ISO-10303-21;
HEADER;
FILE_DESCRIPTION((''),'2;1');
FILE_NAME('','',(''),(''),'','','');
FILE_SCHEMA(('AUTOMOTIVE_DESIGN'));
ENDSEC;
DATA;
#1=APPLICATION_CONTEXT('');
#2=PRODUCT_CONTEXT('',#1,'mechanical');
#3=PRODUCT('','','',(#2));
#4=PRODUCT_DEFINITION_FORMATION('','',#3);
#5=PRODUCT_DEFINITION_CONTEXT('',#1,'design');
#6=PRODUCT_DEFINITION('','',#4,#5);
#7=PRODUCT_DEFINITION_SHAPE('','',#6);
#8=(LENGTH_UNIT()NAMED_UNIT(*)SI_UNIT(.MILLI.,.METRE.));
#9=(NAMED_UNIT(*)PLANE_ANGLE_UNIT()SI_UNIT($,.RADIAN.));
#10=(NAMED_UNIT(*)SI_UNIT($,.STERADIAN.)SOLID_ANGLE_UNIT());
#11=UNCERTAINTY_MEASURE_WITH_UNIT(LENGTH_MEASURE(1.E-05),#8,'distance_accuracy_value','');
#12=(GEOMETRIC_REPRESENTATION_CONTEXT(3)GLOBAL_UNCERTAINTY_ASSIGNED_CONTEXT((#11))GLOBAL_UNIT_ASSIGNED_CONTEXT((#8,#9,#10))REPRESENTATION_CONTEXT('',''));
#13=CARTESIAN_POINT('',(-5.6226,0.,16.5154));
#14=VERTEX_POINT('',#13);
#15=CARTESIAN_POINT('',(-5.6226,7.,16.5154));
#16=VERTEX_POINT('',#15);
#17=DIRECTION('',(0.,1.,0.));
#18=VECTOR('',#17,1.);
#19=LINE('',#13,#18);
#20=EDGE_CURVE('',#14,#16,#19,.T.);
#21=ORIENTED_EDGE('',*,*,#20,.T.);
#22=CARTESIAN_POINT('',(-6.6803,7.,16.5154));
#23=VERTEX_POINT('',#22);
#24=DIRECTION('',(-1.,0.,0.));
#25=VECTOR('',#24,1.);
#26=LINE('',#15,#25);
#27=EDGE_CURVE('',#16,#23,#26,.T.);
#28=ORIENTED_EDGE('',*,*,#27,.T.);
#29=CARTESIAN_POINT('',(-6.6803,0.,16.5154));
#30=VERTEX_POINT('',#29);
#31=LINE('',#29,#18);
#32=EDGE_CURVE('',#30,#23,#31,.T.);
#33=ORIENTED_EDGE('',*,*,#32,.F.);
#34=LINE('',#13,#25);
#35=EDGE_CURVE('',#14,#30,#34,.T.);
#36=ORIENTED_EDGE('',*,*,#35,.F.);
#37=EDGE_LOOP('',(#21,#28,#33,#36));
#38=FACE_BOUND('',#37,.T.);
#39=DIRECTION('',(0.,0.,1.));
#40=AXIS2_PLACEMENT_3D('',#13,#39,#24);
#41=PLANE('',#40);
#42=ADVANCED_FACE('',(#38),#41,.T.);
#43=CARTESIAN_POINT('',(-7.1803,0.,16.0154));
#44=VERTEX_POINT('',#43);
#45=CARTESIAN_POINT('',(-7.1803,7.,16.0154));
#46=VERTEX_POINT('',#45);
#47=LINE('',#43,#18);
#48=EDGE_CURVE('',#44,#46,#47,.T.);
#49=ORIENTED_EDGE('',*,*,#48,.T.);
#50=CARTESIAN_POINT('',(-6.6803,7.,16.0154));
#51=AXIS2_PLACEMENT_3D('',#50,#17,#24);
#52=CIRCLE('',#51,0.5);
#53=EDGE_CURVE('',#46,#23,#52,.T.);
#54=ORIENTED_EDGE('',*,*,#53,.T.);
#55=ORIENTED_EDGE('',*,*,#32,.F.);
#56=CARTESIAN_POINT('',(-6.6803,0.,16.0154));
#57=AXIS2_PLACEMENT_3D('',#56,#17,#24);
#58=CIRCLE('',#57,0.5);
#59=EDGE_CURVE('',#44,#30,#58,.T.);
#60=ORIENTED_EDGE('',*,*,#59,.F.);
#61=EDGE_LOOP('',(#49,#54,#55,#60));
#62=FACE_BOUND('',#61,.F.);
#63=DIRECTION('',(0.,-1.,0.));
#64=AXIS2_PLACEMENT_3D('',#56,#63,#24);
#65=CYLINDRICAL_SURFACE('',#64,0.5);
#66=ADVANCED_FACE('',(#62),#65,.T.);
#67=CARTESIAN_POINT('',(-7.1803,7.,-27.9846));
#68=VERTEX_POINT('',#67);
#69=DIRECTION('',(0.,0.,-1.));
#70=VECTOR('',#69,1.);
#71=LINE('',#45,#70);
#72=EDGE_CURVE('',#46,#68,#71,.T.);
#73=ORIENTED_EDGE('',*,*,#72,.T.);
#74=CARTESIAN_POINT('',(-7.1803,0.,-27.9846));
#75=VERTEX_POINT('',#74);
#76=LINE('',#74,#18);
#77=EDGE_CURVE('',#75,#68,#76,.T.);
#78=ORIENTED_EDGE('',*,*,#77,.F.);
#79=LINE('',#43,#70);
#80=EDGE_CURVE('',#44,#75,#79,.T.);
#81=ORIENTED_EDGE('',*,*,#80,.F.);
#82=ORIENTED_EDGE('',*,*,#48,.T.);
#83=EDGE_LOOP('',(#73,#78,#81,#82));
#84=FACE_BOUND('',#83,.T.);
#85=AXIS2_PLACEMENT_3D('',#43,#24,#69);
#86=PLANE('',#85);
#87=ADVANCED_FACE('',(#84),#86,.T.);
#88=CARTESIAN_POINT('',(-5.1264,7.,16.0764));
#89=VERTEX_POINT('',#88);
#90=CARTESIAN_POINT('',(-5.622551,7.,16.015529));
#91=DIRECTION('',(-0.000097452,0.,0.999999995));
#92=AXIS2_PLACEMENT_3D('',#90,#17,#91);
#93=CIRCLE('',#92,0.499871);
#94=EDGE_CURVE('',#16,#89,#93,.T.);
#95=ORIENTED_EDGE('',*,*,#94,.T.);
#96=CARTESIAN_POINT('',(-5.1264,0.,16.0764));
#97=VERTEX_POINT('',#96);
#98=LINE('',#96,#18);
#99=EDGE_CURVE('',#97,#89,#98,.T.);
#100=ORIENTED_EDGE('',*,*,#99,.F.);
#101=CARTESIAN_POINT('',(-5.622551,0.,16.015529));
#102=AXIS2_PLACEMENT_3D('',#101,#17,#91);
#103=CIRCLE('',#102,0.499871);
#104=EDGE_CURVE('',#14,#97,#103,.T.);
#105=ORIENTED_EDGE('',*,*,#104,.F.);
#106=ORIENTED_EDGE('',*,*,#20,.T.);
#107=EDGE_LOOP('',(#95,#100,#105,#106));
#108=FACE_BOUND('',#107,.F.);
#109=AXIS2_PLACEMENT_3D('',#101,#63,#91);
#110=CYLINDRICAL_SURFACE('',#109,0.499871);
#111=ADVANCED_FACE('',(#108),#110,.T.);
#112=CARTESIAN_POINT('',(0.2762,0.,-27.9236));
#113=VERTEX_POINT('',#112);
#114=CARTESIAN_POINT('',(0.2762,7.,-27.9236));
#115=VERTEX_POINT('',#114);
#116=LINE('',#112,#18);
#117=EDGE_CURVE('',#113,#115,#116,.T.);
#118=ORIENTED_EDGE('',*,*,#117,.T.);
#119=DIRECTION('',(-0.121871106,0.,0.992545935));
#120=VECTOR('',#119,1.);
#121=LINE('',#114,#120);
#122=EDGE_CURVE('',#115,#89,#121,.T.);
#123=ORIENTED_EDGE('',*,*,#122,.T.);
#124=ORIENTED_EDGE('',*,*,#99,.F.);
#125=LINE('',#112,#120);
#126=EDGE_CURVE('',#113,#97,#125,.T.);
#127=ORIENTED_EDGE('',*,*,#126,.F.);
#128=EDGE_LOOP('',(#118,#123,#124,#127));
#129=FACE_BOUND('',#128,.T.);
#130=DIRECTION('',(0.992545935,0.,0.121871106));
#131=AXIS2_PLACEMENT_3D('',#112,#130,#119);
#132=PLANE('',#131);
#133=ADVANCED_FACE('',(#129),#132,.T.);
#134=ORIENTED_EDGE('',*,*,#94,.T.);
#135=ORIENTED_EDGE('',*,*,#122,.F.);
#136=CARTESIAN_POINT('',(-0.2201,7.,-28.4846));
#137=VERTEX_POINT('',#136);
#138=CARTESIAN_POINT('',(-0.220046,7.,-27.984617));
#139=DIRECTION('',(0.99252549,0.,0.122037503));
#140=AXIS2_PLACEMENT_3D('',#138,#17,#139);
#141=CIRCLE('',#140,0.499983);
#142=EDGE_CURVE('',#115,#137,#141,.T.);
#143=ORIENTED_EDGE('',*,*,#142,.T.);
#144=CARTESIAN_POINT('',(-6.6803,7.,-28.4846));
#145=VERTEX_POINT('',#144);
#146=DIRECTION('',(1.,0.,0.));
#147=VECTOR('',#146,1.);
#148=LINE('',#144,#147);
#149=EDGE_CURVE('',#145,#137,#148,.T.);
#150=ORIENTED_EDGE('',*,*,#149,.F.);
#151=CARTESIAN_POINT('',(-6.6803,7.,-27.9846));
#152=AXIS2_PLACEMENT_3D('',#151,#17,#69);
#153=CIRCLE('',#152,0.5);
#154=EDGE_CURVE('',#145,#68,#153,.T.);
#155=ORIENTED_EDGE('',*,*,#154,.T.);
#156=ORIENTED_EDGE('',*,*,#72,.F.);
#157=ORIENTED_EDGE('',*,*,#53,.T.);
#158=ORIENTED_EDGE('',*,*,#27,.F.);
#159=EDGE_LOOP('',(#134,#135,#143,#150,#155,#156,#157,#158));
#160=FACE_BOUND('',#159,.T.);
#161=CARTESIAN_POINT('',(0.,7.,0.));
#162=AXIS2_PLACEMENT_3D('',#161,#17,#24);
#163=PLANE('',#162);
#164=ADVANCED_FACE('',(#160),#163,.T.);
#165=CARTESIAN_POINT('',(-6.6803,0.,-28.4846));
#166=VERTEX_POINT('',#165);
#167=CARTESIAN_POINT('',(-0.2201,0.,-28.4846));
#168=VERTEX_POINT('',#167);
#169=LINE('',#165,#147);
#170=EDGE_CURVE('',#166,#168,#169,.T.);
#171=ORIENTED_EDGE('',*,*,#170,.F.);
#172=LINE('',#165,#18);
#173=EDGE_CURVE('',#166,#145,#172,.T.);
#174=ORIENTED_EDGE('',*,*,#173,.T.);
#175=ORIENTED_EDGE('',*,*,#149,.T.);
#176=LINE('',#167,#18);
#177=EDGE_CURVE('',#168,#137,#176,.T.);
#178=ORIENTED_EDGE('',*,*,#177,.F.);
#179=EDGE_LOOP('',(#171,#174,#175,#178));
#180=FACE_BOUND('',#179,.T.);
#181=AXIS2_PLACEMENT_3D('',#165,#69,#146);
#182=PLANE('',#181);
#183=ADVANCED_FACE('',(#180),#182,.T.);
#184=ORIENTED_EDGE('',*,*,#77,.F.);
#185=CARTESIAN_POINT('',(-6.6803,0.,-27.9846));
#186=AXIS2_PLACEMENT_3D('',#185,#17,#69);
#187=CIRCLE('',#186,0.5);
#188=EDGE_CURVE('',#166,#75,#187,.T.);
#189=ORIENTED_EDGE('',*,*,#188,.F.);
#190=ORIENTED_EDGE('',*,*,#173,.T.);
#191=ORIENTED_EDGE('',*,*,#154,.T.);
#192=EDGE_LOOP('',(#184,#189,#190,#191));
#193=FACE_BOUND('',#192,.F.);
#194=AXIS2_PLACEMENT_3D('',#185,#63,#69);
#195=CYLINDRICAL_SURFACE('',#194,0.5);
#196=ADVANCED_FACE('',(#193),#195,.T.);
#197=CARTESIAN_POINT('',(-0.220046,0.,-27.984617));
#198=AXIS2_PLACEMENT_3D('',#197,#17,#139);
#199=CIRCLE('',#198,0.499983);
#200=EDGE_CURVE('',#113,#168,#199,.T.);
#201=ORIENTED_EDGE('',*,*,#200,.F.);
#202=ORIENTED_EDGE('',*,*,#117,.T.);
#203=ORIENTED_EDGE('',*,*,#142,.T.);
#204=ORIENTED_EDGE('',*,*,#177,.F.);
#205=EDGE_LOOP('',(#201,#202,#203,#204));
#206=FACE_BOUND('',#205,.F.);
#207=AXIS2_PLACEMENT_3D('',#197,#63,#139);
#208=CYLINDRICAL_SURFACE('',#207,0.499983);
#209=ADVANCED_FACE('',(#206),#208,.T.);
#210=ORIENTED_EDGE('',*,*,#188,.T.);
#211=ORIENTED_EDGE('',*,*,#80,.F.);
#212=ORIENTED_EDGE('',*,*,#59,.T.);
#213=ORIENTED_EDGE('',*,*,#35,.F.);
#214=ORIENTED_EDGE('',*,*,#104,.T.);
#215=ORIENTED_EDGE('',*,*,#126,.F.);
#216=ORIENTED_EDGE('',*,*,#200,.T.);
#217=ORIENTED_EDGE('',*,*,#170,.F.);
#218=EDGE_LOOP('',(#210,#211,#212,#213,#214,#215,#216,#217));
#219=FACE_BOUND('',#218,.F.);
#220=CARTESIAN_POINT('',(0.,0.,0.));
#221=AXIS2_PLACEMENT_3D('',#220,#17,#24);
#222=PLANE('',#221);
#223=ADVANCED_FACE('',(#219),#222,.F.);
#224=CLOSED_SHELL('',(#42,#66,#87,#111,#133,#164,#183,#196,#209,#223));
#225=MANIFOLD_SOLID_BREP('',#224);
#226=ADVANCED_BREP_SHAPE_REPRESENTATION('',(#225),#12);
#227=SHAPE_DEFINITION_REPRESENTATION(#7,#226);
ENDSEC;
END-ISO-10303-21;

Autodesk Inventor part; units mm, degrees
ref_plane "YZ Plane" through (0, 0, 0) normal (1, 0, 0) x (0, 1, 0)
ref_plane "XZ Plane" through (0, 0, 0) normal (0, 1, 0) x (-1, 0, 0)
ref_plane "XY Plane" through (0, 0, 0) normal (0, 0, 1) x (1, 0, 0)
sketch "Sketch1" plane through (0, 0, 0) normal (0, 1, 0) x (-1, 0, 0)
  line L0 (7.1803, 16.0154) -> (7.1803, -27.9846)
  line L1 (6.6803, -28.4846) -> (0.2201, -28.4846)
  line L2 (-0.2762, -27.9236) -> (5.1264, 16.0764)
  line L3 (5.6226, 16.5154) -> (6.6803, 16.5154)
  arc A0 (6.6803, -28.4846) -> (7.1803, -27.9846) centre (6.6803, -27.9846) ccw
  arc A1 (-0.2762, -27.9236) -> (0.2201, -28.4846) centre (0.2201, -27.9846) ccw
  arc A2 (7.1803, 16.0154) -> (6.6803, 16.5154) centre (6.6803, 16.0154) ccw
  arc A3 (5.6226, 16.5154) -> (5.1264, 16.0764) centre (5.6226, 16.0154) ccw
  point P0 (0, 0)
  point P1 (7.1803, 16.5154)
  point P2 (7.1803, -28.4846)
  point P3 (5.1803, 16.5154)
  dimension "d0" = 45
  dimension "d1" = 7
  dimension "d2" = 2
  dimension "d3" = 0.5
  dimension "d4" = 0.5
  dimension "d5" = 0.5
extrude "Extrusion1" add sketch "Sketch1" along normal blind 7
properties part number "Wedge - V2"
